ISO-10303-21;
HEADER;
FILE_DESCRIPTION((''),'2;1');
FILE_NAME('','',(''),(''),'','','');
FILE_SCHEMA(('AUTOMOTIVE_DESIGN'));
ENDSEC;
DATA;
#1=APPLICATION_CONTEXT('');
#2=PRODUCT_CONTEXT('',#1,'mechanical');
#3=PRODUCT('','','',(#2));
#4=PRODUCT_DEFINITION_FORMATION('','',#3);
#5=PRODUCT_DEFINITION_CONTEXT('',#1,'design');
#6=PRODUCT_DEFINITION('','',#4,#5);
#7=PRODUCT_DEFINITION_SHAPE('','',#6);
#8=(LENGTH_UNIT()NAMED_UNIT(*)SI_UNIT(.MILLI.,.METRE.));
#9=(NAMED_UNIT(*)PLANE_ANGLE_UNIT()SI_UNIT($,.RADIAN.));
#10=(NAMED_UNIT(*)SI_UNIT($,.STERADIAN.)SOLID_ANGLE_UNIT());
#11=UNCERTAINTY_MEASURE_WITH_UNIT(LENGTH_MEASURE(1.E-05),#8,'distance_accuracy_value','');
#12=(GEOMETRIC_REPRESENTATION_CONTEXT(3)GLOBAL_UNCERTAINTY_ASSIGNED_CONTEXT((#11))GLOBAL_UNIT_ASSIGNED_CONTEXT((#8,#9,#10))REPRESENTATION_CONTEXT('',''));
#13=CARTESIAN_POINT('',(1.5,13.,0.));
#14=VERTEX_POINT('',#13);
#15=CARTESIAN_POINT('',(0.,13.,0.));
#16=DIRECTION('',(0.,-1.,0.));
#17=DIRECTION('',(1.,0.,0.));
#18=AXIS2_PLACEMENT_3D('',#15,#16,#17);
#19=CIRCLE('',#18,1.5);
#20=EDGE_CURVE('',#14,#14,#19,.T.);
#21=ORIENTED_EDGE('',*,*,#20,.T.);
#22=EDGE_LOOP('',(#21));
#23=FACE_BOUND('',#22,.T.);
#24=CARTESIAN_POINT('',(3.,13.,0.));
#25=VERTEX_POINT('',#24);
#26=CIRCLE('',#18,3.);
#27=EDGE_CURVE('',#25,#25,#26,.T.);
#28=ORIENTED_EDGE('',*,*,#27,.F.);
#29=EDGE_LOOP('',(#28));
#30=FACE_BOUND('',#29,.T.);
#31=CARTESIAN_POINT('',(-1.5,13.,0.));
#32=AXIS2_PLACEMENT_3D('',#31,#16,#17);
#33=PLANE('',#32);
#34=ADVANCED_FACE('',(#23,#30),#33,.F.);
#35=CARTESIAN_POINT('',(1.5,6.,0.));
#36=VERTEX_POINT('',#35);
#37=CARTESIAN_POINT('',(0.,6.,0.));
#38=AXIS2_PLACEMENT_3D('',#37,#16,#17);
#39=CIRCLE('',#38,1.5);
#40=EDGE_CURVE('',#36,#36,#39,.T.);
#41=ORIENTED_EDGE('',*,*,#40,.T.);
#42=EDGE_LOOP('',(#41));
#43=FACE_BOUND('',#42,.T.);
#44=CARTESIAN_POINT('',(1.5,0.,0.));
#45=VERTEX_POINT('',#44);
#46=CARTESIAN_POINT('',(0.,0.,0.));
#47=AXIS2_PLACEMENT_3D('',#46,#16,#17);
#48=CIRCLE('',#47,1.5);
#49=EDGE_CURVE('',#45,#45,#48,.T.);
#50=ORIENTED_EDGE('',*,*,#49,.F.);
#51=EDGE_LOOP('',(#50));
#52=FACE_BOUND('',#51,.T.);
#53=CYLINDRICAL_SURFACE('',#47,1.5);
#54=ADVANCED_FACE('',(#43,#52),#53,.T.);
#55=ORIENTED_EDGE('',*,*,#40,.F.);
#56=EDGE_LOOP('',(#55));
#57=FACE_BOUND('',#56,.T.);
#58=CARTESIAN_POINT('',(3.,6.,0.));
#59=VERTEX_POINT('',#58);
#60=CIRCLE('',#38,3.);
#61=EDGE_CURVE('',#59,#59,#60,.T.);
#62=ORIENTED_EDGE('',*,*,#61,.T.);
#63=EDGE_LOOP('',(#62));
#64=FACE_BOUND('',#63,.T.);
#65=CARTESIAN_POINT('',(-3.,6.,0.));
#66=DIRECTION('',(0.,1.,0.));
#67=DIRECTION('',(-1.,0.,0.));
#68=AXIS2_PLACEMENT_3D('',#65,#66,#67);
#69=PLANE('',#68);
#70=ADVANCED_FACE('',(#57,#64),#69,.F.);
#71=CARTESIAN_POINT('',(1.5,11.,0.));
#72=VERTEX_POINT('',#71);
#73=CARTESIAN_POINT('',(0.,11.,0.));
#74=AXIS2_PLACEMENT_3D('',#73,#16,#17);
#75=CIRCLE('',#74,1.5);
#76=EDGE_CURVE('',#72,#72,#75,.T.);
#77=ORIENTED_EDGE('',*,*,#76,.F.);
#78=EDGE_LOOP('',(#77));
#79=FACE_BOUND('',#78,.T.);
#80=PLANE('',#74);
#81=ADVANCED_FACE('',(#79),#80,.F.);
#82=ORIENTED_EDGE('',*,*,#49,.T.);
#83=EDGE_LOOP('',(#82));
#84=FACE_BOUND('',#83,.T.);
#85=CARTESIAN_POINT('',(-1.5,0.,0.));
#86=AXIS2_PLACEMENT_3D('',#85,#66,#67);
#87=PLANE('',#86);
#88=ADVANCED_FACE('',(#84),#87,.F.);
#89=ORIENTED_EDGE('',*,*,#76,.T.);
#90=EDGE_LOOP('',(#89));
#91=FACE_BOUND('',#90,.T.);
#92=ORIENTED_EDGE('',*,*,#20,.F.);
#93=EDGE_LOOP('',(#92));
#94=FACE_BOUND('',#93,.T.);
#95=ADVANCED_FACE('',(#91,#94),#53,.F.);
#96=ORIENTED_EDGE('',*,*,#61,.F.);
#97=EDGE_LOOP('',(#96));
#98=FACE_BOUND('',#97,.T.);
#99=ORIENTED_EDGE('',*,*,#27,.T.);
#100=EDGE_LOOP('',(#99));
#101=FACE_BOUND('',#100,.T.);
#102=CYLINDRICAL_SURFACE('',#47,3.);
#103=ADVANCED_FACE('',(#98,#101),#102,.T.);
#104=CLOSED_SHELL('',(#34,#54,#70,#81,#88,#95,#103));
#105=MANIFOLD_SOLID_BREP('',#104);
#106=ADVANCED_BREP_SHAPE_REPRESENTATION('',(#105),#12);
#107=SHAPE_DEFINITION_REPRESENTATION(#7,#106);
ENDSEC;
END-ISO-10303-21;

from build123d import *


with BuildPart() as part:
    # Sketch1 → Revolve1 (revolve)
    with BuildSketch(Plane.XY, mode=Mode.PRIVATE) as revolve1_sk:
        Polygon((0, 11), (-1.5, 11), (-1.5, 13), (-3, 13), (-3, 6), (-1.5, 6), (-1.5, 0), (0, 0), align=None)
    revolve(revolve1_sk.sketch.rotate(Axis((0, 0, 0), (0, 1, 0)), 180), axis=Axis((0, 0, 0), (0, 1, 0)))


solid = part.part
